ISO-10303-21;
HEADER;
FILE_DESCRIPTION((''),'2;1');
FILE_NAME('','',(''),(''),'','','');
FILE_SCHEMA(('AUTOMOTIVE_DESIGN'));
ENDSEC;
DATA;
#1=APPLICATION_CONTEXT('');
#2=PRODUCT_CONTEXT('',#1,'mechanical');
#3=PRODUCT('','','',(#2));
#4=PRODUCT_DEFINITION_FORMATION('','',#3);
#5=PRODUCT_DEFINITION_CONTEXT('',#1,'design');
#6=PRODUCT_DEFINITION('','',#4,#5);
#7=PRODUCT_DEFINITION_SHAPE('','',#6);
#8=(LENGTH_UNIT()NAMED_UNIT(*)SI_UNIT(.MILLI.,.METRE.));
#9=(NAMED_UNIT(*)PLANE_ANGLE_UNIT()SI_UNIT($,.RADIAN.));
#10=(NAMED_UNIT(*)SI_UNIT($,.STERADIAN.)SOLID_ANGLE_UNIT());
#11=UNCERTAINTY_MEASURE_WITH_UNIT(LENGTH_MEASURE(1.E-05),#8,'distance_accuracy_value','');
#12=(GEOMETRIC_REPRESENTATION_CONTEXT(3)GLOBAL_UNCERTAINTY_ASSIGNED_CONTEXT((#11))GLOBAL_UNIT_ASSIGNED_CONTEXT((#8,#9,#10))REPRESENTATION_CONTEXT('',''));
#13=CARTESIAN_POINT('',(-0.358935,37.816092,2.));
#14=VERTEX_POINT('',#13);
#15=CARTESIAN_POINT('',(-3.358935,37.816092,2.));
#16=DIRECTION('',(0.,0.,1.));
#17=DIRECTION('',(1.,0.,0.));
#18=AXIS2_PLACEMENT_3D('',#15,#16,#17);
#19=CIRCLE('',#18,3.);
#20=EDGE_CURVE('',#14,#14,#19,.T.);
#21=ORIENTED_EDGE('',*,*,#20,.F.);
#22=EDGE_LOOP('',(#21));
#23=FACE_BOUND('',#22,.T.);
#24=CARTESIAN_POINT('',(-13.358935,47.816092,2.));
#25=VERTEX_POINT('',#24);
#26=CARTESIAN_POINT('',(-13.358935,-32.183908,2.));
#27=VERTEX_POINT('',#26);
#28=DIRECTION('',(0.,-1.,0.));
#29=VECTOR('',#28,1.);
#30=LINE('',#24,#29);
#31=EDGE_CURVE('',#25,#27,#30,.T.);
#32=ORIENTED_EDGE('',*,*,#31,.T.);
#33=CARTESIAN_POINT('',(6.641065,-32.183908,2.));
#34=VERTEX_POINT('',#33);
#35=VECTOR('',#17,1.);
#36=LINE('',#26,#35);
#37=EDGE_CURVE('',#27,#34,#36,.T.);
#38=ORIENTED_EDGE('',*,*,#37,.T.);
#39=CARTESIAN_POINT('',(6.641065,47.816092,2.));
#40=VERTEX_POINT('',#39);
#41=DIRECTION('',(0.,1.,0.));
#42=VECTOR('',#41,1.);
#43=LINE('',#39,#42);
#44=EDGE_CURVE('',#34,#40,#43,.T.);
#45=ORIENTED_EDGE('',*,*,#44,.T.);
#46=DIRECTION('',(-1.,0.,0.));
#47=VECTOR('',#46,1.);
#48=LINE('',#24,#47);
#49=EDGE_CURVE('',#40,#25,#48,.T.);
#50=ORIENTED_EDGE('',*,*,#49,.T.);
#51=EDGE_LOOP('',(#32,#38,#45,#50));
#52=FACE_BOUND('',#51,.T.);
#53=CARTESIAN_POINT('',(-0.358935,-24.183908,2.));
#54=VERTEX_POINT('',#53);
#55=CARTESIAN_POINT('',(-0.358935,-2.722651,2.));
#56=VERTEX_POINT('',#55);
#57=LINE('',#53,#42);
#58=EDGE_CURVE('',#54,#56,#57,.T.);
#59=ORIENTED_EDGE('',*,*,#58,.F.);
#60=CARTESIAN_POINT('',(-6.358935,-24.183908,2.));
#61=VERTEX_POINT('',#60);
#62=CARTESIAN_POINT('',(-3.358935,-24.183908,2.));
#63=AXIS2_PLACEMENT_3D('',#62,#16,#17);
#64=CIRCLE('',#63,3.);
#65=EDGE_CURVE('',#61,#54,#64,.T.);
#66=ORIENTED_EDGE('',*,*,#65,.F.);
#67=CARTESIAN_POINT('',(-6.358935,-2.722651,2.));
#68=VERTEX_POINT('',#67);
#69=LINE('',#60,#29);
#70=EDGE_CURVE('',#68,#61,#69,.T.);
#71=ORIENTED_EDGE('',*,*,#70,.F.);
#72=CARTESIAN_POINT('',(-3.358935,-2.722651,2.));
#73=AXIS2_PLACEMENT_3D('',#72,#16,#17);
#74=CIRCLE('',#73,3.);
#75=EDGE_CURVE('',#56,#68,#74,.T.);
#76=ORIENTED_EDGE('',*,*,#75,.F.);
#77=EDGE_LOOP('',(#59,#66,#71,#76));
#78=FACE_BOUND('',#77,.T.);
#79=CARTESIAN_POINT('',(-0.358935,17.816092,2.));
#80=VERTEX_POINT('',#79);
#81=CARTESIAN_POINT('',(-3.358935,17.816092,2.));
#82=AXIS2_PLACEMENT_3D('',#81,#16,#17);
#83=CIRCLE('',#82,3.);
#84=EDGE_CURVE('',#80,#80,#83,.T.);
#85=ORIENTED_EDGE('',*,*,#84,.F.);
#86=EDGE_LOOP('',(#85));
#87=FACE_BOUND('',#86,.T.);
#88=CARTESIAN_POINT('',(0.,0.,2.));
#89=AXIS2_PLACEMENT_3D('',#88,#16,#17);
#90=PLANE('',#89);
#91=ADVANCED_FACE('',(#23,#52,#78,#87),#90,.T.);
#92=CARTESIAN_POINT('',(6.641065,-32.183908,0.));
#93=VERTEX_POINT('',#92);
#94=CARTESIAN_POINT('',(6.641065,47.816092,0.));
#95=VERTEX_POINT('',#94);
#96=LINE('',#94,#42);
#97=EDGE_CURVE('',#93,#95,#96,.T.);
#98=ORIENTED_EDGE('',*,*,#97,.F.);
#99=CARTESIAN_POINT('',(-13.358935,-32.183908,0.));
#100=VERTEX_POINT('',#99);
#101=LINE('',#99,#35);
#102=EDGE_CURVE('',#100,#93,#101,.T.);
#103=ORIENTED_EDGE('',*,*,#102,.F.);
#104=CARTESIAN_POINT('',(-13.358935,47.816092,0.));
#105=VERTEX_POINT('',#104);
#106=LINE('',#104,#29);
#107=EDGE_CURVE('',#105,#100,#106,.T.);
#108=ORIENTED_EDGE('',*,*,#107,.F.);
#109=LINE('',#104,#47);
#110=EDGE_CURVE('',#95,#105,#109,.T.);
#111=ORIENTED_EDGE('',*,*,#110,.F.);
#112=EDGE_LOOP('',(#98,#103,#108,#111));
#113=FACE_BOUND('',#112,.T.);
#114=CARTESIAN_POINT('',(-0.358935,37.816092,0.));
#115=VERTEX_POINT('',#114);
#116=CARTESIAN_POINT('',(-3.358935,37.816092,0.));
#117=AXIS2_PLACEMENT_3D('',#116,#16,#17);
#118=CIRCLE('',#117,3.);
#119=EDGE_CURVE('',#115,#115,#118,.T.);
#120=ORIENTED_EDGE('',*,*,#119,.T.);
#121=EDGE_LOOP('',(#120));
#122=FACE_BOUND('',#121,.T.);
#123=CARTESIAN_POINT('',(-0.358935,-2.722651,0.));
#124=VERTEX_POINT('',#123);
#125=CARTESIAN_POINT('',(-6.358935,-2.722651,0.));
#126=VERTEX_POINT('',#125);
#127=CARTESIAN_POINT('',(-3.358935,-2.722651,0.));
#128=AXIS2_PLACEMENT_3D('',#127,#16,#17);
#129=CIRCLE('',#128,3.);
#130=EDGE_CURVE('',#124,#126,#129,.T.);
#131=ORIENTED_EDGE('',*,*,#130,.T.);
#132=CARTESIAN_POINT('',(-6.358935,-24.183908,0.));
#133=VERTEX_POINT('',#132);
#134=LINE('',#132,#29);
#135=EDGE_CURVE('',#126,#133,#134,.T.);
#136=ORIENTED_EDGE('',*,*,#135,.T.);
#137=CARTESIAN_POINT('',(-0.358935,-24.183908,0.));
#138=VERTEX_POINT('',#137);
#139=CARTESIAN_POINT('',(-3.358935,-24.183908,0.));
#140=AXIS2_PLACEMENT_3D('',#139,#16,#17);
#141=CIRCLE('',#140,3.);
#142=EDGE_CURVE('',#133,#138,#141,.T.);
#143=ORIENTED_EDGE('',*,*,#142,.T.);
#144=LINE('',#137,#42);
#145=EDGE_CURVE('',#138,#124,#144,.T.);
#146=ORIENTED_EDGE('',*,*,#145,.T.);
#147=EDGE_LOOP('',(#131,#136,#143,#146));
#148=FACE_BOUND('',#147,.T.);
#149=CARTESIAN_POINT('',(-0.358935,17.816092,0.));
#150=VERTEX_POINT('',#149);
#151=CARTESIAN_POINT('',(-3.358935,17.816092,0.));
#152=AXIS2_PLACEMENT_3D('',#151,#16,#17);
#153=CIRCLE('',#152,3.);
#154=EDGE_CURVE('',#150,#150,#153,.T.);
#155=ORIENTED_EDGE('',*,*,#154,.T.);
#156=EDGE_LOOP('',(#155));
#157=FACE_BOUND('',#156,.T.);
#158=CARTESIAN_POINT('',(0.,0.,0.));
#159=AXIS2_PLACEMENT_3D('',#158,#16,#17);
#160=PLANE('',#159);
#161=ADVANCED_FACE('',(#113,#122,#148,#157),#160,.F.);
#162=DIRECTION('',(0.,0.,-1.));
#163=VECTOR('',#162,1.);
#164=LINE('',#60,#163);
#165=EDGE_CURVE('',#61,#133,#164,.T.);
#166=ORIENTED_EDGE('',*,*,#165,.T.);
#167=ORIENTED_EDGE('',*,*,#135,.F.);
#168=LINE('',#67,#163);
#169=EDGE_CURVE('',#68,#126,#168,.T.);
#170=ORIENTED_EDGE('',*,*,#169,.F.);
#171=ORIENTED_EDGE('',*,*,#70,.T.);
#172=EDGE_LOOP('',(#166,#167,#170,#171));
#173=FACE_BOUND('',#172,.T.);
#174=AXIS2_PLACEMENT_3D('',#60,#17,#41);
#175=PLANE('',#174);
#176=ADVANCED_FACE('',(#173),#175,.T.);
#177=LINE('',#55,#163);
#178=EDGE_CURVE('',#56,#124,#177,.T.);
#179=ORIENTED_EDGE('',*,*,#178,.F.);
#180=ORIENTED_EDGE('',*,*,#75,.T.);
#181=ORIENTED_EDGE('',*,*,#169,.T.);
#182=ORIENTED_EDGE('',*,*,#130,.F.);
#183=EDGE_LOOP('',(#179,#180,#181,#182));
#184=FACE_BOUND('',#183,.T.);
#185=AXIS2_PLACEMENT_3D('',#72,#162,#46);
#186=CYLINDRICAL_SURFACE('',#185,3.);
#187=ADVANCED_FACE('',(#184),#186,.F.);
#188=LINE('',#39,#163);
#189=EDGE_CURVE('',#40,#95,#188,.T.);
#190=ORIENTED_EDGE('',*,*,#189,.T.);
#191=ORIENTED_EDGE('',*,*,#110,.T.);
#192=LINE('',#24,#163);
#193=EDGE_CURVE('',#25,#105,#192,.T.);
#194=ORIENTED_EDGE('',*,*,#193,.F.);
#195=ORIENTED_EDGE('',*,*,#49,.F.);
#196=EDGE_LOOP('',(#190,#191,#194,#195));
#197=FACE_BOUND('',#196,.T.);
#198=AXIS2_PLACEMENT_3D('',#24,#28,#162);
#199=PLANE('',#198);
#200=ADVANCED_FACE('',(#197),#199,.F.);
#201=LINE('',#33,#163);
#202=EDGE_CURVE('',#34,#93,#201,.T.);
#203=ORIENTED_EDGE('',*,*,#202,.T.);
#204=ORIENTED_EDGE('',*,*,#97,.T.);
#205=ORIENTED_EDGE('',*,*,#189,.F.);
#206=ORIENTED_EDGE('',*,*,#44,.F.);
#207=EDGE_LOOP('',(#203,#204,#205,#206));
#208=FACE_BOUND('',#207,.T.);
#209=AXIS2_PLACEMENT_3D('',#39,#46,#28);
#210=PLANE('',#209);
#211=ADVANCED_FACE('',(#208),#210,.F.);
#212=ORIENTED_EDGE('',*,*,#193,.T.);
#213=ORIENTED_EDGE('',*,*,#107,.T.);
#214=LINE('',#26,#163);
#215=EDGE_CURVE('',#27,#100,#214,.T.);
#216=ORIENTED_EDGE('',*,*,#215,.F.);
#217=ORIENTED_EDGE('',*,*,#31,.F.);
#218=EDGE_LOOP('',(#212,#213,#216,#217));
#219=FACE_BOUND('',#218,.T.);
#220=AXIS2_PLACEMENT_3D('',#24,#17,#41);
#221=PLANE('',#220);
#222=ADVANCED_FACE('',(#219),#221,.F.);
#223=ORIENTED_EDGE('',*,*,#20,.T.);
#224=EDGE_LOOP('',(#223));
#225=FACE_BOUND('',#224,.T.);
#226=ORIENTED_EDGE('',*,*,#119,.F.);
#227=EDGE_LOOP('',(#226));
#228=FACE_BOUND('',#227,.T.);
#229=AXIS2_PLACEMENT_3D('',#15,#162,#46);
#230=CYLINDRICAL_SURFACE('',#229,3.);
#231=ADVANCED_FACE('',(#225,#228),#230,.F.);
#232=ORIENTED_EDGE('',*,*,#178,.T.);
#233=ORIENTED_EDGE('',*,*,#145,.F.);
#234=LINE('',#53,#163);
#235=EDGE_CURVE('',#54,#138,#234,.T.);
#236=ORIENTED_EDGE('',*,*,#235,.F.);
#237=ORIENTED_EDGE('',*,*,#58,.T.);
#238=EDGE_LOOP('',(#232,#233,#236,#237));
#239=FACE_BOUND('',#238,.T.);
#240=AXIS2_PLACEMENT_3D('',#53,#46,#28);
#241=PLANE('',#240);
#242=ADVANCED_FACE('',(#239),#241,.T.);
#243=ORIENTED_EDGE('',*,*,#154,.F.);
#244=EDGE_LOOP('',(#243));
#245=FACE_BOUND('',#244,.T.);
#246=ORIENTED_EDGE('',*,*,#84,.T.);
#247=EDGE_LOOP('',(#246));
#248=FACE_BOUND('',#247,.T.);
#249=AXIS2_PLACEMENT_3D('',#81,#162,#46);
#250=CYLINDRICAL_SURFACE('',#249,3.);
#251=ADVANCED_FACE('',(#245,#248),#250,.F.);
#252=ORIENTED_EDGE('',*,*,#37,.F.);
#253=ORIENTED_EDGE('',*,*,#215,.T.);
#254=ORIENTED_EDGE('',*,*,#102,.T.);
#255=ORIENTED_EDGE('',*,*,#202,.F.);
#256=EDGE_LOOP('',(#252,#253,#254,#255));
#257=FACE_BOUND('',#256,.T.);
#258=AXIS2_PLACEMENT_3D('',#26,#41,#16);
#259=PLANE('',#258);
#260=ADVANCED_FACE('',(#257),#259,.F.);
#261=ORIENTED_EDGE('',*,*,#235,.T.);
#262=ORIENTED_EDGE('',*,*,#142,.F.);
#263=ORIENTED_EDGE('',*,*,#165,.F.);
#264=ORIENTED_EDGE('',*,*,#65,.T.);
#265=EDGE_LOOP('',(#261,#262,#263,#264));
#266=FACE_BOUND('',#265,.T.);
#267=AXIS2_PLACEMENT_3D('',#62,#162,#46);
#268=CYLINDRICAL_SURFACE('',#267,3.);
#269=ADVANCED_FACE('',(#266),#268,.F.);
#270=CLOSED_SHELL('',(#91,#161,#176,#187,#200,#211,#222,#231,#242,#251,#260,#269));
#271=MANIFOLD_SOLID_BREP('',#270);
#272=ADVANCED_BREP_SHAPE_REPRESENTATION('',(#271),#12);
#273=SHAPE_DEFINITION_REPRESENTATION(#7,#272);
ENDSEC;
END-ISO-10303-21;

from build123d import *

# Parameters (mm, degrees)
SZKIC1_W                    = 20
SZKIC1_H                    = 80
SZKIC1_R                    = 3
DODANIE_WYCI_GNI_CIE1_DEPTH = 2


with BuildPart() as part:
    # Szkic1 → Dodanie-wyciągnięcie1 (new body)
    with BuildSketch(Plane.XY):
        with Locations((-3.358935359, 7.816091954)):
            Rectangle(SZKIC1_W, SZKIC1_H)
        with Locations((-3.358935359, 37.816091954)):
            Circle(SZKIC1_R, mode=Mode.SUBTRACT)
        with Locations((-3.358935359, 17.816091954)):
            Circle(SZKIC1_R, mode=Mode.SUBTRACT)
        with BuildLine():
            Line((-6.358935359, -24.183908046), (-6.358935359, -2.722651044))
            ThreePointArc((-6.358935359, -2.722651044), (-3.358935359, 0.277348956), (-0.358935359, -2.722651044))
            Line((-0.358935359, -2.722651044), (-0.358935359, -24.183908046))
            ThreePointArc((-0.358935359, -24.183908046), (-3.358935359, -27.183908046), (-6.358935359, -24.183908046))
        make_face(mode=Mode.SUBTRACT)
    extrude(amount=DODANIE_WYCI_GNI_CIE1_DEPTH)


solid = part.part
